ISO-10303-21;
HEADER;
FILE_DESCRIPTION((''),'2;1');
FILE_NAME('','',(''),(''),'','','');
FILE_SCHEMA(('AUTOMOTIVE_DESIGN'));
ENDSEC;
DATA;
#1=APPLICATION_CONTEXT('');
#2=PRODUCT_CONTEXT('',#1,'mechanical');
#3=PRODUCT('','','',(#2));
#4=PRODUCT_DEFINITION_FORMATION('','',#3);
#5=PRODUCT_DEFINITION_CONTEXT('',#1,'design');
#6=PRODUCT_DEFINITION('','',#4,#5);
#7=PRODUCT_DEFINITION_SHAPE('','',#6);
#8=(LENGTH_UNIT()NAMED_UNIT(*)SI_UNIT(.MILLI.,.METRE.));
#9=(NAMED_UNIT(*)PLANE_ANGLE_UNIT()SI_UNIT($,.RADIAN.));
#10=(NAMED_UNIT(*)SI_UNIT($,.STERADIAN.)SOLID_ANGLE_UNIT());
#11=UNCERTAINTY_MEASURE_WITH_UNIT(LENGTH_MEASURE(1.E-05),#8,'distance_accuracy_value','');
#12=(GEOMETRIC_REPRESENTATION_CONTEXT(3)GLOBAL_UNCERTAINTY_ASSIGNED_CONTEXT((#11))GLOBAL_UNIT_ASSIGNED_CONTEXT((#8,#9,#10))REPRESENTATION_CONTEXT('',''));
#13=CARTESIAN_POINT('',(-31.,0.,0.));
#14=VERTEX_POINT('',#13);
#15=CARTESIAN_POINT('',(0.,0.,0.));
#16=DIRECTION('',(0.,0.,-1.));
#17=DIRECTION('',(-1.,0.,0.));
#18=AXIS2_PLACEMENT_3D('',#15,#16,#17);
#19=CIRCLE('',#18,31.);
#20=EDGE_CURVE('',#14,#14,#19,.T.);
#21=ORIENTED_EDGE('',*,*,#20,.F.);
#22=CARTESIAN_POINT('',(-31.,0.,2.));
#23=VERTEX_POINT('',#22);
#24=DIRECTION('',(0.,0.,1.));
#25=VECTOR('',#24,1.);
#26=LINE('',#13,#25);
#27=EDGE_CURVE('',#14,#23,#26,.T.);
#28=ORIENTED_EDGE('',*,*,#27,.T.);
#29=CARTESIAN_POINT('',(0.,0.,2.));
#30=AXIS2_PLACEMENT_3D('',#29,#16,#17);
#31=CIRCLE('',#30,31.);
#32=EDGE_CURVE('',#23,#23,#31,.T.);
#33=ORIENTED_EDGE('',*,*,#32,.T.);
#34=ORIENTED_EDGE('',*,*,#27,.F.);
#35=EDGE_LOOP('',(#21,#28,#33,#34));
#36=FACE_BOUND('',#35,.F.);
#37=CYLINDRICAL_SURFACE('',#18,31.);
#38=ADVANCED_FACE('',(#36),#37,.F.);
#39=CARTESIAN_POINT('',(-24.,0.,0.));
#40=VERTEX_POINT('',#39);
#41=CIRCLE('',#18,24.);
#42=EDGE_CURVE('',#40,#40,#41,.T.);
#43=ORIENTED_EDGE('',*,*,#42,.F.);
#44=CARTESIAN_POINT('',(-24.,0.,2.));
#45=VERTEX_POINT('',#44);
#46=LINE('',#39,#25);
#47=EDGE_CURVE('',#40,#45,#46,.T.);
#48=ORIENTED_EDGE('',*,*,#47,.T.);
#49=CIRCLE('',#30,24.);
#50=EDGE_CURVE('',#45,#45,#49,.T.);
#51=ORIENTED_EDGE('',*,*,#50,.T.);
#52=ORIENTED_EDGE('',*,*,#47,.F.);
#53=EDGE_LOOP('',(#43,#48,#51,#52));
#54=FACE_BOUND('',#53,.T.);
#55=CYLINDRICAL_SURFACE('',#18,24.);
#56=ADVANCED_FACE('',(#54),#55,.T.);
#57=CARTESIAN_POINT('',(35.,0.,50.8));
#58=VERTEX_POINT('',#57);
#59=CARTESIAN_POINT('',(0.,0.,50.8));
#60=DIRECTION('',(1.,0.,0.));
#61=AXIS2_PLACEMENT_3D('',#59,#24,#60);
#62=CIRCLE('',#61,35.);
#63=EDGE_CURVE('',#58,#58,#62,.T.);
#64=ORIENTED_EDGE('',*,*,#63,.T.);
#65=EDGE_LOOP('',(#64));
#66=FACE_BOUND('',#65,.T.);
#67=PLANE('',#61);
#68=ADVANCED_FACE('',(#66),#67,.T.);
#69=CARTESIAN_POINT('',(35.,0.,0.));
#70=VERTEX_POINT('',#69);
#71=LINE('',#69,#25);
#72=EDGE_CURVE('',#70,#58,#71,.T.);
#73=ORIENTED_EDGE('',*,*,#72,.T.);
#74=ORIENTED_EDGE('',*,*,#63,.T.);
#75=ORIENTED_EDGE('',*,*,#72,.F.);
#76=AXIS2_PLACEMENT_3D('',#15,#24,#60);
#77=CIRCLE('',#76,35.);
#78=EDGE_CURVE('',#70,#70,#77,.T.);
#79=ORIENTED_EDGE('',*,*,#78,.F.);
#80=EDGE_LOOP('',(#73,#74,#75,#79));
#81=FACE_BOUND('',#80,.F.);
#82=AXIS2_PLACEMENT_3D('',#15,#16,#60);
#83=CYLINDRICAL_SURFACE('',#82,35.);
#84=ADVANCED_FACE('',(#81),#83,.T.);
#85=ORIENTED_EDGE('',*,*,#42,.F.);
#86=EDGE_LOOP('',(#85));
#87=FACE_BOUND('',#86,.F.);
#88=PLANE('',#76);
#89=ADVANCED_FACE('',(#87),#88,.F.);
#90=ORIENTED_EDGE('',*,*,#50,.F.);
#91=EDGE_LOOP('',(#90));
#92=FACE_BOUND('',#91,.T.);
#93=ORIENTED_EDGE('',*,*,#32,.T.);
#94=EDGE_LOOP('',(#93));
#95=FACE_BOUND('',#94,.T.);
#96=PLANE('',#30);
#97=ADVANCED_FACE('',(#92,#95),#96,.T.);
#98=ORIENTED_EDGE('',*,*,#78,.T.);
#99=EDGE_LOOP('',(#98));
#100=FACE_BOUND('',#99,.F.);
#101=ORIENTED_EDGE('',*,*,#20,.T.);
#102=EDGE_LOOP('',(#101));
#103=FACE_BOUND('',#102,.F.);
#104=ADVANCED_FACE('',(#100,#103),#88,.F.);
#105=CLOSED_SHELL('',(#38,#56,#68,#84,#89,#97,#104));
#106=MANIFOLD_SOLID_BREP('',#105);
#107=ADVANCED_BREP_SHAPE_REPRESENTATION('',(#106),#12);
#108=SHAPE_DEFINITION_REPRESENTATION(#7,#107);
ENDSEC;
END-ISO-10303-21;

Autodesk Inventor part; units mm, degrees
ref_plane "XZ Plane" through (0, 0, 0) normal (0, 1, 0) x (-1, 0, 0)
ref_plane "XY Plane" through (0, 0, 0) normal (0, 0, 1) x (1, 0, 0)
sketch "Sketch1" plane through (0, 0, 0) normal (0, 0, 1) x (1, 0, 0)
  circle A0 centre (0, 0) radius 35
  dimension "d0" = 70
extrude "Extrusion1" add sketch "Sketch1" along normal blind 50.8
sketch "Sketch2" plane through (0, 0, 0) normal (0, 0, -1) x (-1, 0, 0)
  circle A0 centre (0, 0) radius 31
  circle A1 centre (0, 0) radius 24
  dimension "d3" = 62
  dimension "d4" = 48
extrude "Extrusion2" cut sketch "Sketch2" against normal blind 2
equation "\"d3\" = ringOuterDiam + ringDiamGap"
equation "\"d4\" = ringInnerDiam - ringDiamGap"
equation "\"ringOuterDiam\" = 60"
equation "\"ringInnerDiam\" = 50"
equation "\"ringThickness\" = 1.5"
equation "\"ringDiamGap\" = 2"
properties part number "MountV01"
